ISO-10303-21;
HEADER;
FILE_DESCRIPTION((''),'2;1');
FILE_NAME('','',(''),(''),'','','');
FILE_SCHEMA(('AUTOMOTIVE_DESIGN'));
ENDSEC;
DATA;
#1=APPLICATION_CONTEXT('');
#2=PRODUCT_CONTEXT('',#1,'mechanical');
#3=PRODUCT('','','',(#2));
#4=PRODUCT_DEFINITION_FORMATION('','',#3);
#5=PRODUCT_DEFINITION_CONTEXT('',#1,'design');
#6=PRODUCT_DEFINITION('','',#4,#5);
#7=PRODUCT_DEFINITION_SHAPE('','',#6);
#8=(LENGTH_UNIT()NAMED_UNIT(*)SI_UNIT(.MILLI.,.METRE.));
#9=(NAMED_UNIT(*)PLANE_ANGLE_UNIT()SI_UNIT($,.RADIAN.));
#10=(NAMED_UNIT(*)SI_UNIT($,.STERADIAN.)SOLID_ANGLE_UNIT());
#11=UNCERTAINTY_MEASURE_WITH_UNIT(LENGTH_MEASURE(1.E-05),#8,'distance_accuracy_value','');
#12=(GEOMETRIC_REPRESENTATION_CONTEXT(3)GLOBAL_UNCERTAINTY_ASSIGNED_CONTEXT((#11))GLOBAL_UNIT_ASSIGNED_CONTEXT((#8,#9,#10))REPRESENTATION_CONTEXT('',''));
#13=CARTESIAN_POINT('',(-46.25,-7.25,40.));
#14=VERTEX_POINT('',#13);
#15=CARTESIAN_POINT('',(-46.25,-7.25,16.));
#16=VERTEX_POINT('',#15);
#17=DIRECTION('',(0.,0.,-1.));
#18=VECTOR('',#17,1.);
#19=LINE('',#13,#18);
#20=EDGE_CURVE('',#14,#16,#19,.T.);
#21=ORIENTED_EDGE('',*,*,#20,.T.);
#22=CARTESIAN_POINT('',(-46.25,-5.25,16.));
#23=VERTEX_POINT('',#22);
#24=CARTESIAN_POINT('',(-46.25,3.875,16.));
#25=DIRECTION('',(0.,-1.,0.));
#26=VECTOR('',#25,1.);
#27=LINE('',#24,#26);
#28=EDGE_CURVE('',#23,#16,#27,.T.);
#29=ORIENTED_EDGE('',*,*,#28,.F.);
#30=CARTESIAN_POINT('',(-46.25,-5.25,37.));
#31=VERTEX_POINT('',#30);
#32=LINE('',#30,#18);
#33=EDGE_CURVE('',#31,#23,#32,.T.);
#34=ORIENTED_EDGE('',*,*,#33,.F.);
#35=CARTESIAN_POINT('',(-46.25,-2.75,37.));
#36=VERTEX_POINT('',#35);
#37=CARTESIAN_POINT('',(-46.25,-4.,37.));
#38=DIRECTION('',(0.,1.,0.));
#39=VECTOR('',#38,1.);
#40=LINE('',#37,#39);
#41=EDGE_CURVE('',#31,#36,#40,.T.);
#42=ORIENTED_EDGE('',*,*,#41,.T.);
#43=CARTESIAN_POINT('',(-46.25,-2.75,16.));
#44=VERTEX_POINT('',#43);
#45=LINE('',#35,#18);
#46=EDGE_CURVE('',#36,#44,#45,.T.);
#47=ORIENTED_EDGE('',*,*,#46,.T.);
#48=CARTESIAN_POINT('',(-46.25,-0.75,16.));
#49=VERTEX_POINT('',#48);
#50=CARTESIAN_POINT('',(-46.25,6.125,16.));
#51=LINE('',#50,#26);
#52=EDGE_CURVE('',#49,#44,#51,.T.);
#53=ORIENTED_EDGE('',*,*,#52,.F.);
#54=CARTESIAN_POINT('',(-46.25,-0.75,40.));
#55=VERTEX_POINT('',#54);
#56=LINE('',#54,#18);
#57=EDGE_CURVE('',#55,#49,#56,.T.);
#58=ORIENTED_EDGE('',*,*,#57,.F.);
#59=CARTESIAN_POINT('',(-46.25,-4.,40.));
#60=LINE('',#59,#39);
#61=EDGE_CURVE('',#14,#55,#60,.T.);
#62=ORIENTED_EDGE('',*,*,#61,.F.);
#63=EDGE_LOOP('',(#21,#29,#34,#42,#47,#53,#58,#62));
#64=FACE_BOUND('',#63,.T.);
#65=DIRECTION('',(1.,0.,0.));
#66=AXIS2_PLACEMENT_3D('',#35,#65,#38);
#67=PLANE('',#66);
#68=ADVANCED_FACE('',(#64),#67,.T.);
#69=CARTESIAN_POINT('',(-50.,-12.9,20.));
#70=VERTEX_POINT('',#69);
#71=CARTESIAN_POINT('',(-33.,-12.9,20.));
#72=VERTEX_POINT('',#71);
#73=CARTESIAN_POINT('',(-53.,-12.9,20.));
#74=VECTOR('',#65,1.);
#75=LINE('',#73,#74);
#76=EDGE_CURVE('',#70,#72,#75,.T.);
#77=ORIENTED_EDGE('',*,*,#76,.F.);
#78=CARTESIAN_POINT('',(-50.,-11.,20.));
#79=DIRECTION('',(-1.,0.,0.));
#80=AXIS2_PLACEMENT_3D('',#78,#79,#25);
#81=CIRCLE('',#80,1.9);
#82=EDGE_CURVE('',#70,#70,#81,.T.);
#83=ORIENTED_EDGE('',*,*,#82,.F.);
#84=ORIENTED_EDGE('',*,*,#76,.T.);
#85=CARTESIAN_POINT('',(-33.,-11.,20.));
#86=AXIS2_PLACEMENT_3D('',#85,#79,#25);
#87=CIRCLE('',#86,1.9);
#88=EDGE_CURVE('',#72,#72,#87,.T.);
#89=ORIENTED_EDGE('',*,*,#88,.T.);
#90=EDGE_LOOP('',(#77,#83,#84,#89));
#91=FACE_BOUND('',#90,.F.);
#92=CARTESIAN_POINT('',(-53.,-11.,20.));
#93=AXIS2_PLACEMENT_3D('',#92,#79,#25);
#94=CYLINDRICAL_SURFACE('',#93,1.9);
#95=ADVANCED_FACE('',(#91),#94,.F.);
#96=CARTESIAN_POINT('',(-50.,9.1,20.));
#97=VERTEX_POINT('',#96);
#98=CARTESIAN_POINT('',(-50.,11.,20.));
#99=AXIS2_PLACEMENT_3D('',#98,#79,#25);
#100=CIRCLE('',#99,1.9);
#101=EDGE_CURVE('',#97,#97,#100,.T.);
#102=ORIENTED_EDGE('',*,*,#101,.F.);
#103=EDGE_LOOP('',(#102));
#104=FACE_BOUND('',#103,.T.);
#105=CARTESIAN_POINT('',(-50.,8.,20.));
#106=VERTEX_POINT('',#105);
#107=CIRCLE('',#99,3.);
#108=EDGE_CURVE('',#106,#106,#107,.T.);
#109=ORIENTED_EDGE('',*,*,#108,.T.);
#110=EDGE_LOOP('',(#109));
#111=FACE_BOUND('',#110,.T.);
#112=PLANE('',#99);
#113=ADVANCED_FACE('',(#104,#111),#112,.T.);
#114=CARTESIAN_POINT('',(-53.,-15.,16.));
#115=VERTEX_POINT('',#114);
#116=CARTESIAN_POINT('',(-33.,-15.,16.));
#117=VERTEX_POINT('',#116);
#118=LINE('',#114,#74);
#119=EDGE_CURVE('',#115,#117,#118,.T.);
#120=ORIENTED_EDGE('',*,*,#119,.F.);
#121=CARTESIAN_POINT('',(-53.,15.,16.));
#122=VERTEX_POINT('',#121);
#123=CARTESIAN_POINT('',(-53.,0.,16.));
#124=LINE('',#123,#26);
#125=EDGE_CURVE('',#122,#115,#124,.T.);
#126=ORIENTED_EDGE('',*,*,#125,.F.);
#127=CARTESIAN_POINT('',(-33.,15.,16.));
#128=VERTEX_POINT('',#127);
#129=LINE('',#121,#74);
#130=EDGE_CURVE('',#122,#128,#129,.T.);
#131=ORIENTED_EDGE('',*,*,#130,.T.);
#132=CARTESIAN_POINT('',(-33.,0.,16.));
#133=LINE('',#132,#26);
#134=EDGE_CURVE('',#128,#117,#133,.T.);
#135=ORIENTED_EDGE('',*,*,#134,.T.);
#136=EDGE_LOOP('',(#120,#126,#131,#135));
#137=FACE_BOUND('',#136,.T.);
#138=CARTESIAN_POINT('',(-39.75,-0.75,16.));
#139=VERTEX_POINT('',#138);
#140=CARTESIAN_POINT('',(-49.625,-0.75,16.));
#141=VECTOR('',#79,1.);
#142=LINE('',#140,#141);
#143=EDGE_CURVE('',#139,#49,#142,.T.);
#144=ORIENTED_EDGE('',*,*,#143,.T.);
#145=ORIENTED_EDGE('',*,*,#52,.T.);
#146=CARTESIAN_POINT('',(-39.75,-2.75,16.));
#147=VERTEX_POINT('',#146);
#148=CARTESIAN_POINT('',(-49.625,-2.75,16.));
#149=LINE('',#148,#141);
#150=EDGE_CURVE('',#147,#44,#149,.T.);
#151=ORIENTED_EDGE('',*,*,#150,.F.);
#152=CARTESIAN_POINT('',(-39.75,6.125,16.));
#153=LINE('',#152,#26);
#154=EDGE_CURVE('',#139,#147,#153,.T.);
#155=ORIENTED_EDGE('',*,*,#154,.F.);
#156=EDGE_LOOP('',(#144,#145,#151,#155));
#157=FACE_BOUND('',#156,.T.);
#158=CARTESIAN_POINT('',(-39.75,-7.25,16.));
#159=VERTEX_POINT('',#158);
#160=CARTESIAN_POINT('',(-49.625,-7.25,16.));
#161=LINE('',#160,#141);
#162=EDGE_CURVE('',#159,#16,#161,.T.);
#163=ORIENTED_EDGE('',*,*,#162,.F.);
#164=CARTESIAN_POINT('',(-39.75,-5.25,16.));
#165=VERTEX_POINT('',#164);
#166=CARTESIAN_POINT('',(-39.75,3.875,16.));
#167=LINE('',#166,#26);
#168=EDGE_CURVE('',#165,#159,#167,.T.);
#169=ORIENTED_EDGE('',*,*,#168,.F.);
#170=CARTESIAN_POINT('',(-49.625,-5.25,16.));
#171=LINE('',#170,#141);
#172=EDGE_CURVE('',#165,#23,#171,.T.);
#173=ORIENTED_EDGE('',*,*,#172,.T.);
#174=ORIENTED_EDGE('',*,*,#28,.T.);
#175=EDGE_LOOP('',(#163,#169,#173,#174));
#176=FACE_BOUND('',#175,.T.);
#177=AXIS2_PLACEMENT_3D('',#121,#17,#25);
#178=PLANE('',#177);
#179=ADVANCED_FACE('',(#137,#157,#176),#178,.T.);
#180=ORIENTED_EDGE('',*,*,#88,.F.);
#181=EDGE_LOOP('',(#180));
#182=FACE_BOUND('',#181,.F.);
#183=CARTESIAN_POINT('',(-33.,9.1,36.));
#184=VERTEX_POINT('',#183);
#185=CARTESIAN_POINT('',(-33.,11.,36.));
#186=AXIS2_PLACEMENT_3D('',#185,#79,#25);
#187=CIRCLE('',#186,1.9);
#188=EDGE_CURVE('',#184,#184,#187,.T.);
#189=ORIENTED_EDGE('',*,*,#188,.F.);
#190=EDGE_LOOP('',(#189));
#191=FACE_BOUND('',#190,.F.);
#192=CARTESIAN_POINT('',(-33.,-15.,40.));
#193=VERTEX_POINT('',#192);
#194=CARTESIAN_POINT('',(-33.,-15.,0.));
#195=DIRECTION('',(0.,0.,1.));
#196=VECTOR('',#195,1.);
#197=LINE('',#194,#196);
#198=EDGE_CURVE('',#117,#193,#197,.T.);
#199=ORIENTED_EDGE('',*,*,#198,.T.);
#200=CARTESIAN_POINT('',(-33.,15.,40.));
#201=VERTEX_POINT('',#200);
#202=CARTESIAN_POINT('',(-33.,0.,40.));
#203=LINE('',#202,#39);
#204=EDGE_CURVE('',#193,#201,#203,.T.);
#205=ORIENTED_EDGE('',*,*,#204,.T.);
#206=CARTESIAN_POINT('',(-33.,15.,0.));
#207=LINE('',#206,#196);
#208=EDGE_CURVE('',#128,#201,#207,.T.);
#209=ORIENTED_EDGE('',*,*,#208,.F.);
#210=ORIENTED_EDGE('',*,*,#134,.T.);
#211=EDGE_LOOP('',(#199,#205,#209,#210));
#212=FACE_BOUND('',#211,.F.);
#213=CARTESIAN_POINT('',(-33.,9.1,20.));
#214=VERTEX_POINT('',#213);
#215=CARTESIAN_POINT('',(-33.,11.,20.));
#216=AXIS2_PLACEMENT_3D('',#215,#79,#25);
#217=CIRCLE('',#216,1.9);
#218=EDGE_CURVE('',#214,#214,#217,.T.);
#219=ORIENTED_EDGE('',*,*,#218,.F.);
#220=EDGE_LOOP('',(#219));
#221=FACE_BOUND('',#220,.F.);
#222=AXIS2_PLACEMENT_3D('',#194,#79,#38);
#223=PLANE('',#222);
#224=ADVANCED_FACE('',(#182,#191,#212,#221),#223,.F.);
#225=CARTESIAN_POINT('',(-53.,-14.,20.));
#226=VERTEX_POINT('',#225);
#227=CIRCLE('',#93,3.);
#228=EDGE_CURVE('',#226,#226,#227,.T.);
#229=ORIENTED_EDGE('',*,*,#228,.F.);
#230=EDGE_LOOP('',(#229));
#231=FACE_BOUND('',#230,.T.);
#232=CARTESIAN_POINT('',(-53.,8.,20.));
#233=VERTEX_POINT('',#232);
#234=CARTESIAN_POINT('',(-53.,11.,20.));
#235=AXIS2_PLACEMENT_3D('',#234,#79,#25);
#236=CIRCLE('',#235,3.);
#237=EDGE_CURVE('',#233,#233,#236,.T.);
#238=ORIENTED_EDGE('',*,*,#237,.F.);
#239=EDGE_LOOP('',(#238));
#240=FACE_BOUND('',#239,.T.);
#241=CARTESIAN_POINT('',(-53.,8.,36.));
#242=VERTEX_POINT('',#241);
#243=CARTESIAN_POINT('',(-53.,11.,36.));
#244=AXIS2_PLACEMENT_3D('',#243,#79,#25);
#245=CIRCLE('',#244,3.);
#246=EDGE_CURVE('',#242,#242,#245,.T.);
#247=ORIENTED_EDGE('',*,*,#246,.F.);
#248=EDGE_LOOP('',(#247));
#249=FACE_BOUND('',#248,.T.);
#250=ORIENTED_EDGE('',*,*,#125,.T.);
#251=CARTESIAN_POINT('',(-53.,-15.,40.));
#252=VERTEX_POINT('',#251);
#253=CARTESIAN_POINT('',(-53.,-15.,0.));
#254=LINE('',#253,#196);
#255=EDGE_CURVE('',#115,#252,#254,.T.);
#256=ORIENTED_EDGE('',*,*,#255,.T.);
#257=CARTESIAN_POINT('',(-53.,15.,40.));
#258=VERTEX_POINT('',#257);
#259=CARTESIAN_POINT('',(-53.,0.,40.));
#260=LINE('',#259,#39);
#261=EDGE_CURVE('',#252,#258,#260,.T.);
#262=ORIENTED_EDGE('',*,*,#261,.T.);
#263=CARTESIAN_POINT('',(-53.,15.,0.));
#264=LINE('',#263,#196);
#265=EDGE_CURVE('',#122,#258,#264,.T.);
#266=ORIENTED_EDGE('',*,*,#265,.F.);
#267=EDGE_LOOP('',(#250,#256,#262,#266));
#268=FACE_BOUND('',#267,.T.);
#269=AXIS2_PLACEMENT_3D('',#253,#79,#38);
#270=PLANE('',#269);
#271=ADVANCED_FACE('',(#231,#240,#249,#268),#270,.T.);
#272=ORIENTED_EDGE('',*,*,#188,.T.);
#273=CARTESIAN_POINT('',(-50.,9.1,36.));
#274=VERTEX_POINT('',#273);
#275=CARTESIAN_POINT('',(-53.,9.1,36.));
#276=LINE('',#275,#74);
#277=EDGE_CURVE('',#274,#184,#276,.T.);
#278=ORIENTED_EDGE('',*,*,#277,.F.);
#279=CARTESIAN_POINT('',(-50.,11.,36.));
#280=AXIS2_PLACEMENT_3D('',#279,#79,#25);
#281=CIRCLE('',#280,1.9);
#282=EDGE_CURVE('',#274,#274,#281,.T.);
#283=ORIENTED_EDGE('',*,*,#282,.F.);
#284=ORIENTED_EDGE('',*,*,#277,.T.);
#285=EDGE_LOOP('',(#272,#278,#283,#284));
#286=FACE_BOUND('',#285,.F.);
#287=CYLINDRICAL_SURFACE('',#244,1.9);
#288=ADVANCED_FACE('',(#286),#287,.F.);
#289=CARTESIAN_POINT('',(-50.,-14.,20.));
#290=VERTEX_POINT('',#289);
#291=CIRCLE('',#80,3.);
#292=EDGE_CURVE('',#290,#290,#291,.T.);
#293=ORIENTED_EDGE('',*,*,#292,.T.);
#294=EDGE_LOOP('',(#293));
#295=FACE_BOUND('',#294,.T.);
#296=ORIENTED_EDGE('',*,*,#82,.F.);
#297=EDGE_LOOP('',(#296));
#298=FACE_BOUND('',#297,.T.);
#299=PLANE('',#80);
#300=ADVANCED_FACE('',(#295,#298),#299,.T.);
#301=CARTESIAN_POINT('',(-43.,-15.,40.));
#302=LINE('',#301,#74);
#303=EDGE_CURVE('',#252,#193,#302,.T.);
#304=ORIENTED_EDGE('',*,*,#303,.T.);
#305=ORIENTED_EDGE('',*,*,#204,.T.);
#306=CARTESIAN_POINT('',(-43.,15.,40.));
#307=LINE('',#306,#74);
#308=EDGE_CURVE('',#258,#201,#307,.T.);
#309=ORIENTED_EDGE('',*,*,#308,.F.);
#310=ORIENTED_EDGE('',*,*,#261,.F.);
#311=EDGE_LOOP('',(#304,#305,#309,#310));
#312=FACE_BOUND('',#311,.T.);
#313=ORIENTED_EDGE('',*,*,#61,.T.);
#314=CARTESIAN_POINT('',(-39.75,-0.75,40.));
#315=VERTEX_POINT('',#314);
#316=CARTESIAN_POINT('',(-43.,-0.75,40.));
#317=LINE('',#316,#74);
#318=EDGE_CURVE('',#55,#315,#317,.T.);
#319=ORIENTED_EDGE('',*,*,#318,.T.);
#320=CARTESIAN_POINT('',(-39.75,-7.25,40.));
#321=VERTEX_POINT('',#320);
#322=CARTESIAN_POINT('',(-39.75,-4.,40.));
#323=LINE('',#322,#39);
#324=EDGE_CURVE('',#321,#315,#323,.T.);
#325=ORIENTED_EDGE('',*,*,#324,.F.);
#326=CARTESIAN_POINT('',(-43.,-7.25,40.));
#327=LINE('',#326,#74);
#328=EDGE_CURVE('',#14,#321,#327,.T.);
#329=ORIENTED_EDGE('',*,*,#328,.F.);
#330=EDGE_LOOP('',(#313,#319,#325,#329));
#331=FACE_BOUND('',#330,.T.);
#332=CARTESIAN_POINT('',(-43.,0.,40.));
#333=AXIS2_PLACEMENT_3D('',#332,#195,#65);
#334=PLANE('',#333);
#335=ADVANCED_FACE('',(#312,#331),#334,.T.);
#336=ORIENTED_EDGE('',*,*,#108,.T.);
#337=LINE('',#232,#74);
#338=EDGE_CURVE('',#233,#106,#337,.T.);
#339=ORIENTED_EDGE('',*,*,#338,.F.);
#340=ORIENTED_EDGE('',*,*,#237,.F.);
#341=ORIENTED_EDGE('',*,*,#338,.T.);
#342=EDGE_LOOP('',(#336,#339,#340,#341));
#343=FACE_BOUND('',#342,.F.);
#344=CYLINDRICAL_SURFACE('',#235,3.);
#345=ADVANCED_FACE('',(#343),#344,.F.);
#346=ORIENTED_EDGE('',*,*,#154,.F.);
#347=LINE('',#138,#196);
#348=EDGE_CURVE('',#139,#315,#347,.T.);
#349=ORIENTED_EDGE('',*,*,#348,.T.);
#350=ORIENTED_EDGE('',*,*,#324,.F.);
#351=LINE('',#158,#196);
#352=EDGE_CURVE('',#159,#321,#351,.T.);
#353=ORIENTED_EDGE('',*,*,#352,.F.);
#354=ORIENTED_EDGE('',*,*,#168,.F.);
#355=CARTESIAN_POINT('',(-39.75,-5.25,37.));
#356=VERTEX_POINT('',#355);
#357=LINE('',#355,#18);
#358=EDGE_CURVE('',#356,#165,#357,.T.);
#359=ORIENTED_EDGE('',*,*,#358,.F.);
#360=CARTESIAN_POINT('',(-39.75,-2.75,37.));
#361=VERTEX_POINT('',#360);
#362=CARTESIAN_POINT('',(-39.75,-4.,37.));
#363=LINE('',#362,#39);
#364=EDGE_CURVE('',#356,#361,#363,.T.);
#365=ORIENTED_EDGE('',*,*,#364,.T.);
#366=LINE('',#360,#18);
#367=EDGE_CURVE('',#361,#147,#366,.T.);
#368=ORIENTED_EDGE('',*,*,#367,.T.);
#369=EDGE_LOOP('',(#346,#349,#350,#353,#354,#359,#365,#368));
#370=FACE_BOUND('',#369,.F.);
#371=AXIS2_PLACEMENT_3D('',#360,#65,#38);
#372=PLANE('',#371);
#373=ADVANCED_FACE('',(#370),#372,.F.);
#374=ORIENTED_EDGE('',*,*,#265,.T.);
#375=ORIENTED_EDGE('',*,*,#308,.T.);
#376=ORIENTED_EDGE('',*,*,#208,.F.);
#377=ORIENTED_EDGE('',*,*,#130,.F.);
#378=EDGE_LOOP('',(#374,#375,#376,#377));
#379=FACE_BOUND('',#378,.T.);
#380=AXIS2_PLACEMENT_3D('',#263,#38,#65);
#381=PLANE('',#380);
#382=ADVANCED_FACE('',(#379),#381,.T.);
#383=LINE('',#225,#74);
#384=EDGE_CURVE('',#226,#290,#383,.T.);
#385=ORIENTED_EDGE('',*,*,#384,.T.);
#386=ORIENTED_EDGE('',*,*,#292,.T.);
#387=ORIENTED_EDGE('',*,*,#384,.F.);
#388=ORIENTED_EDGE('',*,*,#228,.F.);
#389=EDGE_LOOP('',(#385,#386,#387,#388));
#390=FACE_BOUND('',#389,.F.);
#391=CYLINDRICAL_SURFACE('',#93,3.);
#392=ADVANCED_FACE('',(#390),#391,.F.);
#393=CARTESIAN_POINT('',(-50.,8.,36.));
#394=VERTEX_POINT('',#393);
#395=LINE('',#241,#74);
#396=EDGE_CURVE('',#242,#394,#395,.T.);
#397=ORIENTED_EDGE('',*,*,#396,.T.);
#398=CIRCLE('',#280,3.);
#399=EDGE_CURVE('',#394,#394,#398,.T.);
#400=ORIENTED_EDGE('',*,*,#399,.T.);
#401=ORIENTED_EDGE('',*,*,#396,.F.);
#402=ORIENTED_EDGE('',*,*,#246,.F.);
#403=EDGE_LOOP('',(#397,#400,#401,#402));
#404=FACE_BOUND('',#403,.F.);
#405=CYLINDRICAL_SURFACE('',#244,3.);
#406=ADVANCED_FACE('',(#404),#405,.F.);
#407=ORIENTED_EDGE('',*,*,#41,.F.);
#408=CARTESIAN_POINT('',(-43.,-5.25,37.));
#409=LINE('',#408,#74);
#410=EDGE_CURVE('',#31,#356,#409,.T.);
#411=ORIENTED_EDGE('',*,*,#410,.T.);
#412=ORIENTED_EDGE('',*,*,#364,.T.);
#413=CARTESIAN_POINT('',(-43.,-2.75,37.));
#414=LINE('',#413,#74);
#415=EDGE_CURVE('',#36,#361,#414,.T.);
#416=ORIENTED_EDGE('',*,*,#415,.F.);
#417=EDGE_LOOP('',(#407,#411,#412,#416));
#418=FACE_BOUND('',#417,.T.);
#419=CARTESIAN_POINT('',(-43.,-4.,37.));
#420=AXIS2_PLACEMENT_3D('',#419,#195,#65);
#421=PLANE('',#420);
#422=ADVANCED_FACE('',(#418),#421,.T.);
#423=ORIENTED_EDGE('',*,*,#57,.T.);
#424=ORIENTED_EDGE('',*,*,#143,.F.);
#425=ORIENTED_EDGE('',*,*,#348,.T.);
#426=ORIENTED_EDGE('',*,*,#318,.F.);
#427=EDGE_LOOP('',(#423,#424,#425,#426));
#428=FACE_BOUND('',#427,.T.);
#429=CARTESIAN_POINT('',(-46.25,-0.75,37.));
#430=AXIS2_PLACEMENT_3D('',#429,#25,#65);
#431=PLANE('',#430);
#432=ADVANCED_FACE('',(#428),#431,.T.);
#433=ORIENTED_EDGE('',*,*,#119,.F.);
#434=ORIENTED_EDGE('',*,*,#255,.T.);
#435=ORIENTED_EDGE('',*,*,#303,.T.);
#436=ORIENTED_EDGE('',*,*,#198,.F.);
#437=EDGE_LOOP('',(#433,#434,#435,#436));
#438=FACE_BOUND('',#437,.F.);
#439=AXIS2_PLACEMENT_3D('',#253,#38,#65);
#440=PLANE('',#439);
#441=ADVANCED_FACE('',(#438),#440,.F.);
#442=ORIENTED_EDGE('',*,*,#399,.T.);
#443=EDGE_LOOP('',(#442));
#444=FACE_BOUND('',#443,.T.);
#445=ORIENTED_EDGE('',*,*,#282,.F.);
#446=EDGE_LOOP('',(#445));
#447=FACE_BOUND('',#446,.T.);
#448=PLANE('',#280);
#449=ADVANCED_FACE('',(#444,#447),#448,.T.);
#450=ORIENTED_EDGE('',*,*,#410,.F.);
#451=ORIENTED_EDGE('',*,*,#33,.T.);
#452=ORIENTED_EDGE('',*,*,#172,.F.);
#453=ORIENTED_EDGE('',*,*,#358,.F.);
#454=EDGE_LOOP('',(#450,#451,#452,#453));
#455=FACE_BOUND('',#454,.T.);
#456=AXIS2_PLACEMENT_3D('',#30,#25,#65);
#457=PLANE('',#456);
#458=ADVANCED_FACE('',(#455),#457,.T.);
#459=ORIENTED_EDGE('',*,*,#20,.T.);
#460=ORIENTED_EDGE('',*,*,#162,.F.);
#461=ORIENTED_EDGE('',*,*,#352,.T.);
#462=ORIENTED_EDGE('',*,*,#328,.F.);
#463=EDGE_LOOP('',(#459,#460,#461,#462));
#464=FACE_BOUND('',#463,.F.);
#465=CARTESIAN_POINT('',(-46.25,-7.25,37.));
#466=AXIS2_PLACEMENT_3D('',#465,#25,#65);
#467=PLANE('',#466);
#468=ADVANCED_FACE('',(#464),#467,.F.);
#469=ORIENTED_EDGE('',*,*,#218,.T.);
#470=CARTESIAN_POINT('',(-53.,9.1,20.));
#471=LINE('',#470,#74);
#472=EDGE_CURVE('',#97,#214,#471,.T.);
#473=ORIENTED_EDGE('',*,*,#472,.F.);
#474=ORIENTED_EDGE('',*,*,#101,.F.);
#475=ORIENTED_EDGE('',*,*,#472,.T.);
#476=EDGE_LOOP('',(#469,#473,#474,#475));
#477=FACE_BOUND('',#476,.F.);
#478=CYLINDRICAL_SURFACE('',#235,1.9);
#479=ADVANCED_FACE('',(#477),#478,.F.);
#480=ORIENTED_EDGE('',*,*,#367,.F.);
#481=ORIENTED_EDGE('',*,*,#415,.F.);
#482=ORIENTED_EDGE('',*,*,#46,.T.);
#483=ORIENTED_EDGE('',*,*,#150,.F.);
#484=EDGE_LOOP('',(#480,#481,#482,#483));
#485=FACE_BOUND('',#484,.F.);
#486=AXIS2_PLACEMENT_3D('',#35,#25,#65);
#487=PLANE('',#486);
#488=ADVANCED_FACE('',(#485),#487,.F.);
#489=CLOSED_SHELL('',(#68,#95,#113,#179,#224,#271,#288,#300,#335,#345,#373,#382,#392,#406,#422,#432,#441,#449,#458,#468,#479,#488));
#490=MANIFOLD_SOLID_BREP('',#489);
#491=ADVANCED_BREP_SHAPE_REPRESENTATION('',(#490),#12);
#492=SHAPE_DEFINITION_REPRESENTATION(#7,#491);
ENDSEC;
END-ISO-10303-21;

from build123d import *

# Parameters (mm, degrees)
SKETCH020_W     = 20
SKETCH020_H     = 30
PAD007_DEPTH    = 40
SKETCH019_R     = 1.9
POCKET013_DEPTH = 20.001
SKETCH021_R     = 3
POCKET012_DEPTH = 3
SKETCH022_R     = 0.5
POCKET014_DEPTH = 0.5
SKETCH023_W     = 30
SKETCH023_H     = 16
POCKET015_DEPTH = 20.001
SKETCH024_W     = 6.5
SKETCH024_H     = 6.5
POCKET016_DEPTH = 3
SKETCH025_W     = 6.5
SKETCH025_H     = 2
POCKET017_DEPTH = 21.001


with BuildPart() as part:
    # Sketch020 → Pad007 (new body)
    with BuildSketch(Plane.XY):
        with Locations((-43, 0)):
            Rectangle(SKETCH020_W, SKETCH020_H)
    extrude(amount=PAD007_DEPTH)

    # Sketch019 (on Face4 of Pad007) → Pocket013 (cut, through all)
    with BuildSketch(Plane(origin=(-53, 0, 0), x_dir=(0, -1, 0), z_dir=(-1, 0, 0))):
        with Locations((-11, 36)):
            Circle(SKETCH019_R)
        with Locations((11, 20)):
            Circle(SKETCH019_R)
        with Locations((-11, 20)):
            Circle(SKETCH019_R)
        with Locations((-11, 4)):
            Circle(SKETCH019_R)
        with Locations((11, 4)):
            Circle(SKETCH019_R)
    extrude(amount=-POCKET013_DEPTH, mode=Mode.SUBTRACT)

    # Sketch021 (on Face2 of Pocket013) → Pocket012 (cut)
    with BuildSketch(Plane(origin=(-53, 0, 0), x_dir=(0, -1, 0), z_dir=(-1, 0, 0))):
        with Locations((-11, 36)):
            Circle(SKETCH021_R)
        with Locations((-11, 20)):
            Circle(SKETCH021_R)
        with Locations((-11, 4)):
            Circle(SKETCH021_R)
        with Locations((11, 4)):
            Circle(SKETCH021_R)
        with Locations((11, 20)):
            Circle(SKETCH021_R)
    extrude(amount=-POCKET012_DEPTH, mode=Mode.SUBTRACT)

    # Sketch022 (on Face5 of Pocket012) → Pocket014 (cut)
    with BuildSketch(Plane.XY.offset(40)):
        with Locations((-43, -4)):
            Circle(SKETCH022_R)
    extrude(amount=-POCKET014_DEPTH, mode=Mode.SUBTRACT)

    # Sketch023 (on Face2 of Pocket014) → Pocket015 (cut, through all)
    with BuildSketch(Plane(origin=(-53, 0, 0), x_dir=(0, -1, 0), z_dir=(-1, 0, 0))):
        with Locations((0, 8)):
            Rectangle(SKETCH023_W, SKETCH023_H)
    extrude(amount=-POCKET015_DEPTH, mode=Mode.SUBTRACT)

    # Sketch024 (on Face4 of Pocket015) → Pocket016 (cut)
    with BuildSketch(Plane.XY.offset(40)):
        with Locations((-43, -4)):
            Rectangle(SKETCH024_W, SKETCH024_H)
    extrude(amount=-POCKET016_DEPTH, mode=Mode.SUBTRACT)

    # Sketch025 (on Face20 of Pocket016) → Pocket017 (cut, through all)
    with BuildSketch(Plane.XY.offset(37)):
        with Locations((-43, -1.75)):
            Rectangle(SKETCH025_W, SKETCH025_H)
        with Locations((-43, -6.25)):
            Rectangle(SKETCH025_W, SKETCH025_H)
    extrude(amount=-POCKET017_DEPTH, mode=Mode.SUBTRACT)


solid = part.part
